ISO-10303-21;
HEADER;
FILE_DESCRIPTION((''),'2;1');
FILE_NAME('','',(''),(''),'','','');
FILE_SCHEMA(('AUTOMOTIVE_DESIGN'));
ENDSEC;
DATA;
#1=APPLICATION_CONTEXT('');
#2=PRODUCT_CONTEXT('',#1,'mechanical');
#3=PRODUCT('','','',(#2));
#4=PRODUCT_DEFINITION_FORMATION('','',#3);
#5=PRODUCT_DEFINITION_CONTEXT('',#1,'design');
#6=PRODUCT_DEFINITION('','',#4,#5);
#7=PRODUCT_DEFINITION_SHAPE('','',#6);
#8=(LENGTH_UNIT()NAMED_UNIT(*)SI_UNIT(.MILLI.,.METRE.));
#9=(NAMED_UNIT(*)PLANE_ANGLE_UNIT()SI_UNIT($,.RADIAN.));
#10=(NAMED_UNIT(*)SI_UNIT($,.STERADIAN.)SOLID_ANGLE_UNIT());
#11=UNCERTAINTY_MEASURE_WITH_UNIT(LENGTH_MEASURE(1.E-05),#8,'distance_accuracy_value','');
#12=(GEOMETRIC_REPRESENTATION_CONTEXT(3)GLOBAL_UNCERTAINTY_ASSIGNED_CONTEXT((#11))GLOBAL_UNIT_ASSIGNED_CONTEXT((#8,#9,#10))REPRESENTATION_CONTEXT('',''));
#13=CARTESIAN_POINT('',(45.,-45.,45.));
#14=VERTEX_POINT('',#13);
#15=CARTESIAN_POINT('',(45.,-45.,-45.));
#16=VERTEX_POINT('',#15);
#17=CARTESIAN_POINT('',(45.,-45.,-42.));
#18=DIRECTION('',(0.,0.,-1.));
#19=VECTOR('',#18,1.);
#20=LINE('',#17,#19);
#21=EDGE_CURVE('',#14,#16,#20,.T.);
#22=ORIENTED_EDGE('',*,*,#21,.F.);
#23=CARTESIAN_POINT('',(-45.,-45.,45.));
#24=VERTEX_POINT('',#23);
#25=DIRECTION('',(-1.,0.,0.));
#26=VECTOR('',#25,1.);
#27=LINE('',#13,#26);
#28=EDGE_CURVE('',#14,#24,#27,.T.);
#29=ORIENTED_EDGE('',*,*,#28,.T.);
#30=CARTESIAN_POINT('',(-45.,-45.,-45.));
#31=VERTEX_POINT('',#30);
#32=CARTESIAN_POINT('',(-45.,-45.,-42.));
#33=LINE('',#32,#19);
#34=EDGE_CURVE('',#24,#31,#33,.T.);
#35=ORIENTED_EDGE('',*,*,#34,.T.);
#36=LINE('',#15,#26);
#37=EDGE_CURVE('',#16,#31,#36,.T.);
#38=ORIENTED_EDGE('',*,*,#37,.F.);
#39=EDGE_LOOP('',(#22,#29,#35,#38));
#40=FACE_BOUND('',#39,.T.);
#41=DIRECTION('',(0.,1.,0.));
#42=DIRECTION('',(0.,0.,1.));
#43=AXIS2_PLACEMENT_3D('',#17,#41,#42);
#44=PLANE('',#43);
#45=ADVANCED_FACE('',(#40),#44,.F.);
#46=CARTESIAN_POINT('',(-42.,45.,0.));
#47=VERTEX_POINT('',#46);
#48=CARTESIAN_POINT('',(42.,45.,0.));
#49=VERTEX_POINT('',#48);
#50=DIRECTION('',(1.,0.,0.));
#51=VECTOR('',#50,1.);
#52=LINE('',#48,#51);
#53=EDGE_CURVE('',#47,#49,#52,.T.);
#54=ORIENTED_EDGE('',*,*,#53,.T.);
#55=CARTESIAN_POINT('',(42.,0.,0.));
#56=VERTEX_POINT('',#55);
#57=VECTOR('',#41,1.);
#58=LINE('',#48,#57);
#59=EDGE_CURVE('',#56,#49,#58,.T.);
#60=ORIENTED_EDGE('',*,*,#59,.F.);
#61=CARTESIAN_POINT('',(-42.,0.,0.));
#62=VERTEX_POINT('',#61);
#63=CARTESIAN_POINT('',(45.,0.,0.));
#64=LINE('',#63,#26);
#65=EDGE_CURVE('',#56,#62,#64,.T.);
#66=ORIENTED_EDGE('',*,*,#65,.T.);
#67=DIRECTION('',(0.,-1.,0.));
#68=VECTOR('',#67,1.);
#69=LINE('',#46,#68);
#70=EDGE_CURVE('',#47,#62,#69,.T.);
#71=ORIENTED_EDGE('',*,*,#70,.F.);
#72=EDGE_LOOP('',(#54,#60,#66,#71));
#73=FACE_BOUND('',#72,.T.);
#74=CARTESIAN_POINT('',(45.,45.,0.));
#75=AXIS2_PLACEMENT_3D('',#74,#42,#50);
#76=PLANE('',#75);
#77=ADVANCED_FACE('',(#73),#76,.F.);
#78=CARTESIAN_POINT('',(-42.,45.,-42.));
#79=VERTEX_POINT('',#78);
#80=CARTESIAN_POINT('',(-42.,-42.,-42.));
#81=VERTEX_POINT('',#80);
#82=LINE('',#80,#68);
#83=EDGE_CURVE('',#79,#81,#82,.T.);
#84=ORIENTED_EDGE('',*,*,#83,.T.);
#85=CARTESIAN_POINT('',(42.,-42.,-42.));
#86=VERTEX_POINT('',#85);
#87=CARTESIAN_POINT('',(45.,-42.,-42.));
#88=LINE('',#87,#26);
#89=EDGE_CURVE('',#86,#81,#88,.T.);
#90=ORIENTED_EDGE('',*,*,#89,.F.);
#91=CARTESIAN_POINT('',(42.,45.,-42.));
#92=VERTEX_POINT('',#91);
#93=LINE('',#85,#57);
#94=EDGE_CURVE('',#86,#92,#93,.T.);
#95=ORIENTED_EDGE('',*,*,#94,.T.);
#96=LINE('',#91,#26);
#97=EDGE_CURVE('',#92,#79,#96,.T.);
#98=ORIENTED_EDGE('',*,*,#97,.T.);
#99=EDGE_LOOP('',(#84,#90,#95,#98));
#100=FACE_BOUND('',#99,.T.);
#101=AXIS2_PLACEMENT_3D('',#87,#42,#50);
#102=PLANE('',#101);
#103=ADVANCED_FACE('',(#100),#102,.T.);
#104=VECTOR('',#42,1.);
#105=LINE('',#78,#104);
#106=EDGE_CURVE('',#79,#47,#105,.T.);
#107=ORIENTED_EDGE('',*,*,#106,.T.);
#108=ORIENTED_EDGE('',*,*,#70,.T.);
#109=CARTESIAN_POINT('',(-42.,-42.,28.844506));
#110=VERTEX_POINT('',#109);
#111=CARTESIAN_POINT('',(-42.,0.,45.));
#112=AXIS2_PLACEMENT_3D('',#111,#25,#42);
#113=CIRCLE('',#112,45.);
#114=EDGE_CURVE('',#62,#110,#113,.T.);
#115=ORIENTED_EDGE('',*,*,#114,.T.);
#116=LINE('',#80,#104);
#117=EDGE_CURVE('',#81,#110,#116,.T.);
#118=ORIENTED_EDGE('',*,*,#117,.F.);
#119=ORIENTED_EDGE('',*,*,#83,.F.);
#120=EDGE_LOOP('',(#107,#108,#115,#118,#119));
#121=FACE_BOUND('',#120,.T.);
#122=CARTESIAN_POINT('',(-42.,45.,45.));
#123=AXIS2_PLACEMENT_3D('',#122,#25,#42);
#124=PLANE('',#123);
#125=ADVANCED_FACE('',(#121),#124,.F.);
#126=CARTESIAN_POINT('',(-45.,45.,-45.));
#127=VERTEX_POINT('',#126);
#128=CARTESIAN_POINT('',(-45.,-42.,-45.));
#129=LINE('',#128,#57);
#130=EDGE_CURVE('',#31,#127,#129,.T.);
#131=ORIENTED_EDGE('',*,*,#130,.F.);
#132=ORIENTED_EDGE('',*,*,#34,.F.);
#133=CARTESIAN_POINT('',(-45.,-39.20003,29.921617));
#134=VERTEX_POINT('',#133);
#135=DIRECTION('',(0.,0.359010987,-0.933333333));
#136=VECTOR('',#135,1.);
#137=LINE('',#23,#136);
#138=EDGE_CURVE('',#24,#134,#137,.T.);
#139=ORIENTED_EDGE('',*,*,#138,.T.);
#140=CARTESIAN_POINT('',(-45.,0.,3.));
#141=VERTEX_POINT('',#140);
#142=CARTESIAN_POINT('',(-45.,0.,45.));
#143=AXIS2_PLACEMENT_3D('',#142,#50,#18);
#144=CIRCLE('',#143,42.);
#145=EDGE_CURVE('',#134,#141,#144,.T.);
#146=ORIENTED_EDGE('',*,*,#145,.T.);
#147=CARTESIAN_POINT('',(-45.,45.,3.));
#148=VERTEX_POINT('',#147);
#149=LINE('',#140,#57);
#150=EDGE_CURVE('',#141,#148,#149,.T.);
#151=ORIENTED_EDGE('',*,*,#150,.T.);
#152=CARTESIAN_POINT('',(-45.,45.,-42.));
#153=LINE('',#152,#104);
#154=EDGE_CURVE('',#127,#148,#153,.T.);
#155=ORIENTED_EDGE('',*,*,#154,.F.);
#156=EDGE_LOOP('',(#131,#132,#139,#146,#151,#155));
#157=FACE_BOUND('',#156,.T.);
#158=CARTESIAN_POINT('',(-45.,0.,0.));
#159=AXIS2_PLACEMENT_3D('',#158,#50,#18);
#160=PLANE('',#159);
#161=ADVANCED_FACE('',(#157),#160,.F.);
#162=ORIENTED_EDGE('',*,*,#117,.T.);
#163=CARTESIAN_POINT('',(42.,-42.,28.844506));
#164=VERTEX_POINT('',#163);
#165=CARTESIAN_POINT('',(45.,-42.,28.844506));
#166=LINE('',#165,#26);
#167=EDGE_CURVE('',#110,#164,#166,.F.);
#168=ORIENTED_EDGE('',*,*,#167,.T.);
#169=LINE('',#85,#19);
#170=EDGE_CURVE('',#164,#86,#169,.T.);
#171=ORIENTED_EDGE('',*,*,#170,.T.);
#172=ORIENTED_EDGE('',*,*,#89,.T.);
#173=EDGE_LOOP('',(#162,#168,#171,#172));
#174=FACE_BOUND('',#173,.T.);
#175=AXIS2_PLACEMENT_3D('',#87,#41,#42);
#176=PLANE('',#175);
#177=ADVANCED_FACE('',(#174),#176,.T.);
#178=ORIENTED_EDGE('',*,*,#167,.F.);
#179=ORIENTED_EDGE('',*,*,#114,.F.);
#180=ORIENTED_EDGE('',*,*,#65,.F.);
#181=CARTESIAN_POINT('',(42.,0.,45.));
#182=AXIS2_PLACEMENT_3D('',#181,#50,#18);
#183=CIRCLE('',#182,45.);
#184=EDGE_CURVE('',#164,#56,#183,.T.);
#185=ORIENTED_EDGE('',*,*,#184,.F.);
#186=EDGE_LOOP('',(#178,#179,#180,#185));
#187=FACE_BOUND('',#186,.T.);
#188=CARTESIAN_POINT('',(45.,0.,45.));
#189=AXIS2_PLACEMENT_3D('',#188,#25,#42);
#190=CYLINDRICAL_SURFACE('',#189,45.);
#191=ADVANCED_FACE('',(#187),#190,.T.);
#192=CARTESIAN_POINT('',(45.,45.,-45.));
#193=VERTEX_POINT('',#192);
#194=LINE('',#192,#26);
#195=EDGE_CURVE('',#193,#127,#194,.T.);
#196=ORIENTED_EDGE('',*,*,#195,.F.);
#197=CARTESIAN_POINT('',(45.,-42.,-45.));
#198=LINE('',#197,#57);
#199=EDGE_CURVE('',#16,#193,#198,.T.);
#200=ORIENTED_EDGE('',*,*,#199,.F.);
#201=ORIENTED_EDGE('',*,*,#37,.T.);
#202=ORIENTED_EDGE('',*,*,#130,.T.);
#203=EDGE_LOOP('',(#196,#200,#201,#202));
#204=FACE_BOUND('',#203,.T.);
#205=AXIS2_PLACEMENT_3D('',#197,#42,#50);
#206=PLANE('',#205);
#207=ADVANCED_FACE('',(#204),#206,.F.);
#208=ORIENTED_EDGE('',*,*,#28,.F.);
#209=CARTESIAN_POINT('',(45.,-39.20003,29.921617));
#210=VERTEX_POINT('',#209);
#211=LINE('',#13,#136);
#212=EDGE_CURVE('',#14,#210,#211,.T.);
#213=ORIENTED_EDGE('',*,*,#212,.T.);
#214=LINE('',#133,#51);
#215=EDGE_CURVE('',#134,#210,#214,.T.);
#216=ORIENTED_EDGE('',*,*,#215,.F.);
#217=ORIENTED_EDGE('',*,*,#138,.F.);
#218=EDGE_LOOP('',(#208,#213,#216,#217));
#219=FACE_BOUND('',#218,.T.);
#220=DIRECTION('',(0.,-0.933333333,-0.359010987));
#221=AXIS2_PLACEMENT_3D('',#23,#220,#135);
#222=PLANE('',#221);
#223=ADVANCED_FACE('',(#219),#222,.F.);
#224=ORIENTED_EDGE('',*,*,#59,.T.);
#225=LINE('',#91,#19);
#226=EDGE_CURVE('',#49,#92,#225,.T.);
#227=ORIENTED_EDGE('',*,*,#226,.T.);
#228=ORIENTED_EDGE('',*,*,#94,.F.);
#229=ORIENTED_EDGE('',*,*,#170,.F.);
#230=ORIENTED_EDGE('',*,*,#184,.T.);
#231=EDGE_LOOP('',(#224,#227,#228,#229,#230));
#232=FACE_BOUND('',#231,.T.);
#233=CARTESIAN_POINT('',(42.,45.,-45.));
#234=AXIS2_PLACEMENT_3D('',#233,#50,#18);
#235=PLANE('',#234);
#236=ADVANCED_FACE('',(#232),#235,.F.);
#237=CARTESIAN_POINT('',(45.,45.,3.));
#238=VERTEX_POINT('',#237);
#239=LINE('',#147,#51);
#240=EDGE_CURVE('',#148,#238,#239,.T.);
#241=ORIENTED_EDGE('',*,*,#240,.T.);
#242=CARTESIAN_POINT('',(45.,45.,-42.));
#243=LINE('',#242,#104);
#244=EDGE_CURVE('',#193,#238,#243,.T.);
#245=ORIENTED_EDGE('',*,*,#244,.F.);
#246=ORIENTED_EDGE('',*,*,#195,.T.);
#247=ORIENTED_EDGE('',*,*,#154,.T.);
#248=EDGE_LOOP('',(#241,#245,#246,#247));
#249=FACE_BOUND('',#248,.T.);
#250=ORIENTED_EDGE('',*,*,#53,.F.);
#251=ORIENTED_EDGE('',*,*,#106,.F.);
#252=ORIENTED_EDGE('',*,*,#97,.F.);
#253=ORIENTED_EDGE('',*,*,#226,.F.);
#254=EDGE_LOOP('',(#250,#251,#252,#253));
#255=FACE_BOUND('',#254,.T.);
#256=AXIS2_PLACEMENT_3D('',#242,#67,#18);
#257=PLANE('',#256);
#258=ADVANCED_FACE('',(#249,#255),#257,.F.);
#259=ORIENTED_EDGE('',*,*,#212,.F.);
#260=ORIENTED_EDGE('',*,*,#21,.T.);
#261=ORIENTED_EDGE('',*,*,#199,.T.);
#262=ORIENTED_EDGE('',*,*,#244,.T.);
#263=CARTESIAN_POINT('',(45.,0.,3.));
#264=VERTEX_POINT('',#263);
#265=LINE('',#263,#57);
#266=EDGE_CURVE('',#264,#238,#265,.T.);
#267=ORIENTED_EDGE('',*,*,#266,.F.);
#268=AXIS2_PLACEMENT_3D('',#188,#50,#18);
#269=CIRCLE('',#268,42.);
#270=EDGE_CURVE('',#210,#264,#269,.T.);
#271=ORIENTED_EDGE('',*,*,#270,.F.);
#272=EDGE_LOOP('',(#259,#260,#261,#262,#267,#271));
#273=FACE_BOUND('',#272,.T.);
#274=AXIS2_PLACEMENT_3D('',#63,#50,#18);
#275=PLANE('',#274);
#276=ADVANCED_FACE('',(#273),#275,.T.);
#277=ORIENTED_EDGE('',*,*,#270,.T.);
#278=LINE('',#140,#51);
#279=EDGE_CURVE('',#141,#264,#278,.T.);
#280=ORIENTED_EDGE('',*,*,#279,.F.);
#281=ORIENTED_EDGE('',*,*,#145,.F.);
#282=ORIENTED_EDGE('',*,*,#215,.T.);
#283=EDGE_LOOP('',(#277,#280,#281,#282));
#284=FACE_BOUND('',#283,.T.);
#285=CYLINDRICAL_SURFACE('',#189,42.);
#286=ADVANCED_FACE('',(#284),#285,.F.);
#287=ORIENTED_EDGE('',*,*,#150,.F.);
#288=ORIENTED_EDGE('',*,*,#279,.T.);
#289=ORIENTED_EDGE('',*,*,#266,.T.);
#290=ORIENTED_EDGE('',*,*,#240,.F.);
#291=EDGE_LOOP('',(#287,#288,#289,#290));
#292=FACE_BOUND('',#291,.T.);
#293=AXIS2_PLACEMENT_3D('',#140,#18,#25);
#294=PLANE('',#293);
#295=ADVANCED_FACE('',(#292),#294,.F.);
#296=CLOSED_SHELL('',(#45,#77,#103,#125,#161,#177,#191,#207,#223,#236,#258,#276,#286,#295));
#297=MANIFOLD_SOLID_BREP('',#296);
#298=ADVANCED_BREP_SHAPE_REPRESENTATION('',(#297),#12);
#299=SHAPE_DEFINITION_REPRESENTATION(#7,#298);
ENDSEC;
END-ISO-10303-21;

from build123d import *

# Parameters (mm, degrees)
ESBO_O1_W                  = 90
ESBO_O1_H                  = 90
ESBO_O1_W_2                = 84
ESBO_O1_H_2                = 84
EXTRUS_O_FINA2_DEPTH       = 45
CORTE_EXTRUS_O1_DEPTH      = 78.942286341
CORTE_EXTRUS_O1_DEPTH_BACK = 78.942286341
ESBO_O5_W                  = 3
ESBO_O5_H                  = 84
ESBO_O7_R                  = 45
ESBO_O7_R_2                = 42
EXTRUS_O_FINA4_DEPTH       = 45
CORTE_EXTRUS_O2_DEPTH      = 111.227038425
CORTE_EXTRUS_O2_DEPTH_BACK = 111.227038425
ESBO_O9_W                  = 3
ESBO_O9_H                  = 45
RESSALTO_EXTRUS_O1_DEPTH   = 45
ESBO_O10_W                 = 3
ESBO_O10_H                 = 90
RESSALTO_EXTRUS_O2_DEPTH   = 45
ESBO_O11_W                 = 3
ESBO_O11_H                 = 90
RESSALTO_EXTRUS_O3_DEPTH   = 45
CORTE_EXTRUS_O4_DEPTH      = 78.942286341
CORTE_EXTRUS_O4_DEPTH_BACK = 78.942286341
CORTE_EXTRUS_O5_DEPTH      = 78.942286341
CORTE_EXTRUS_O5_DEPTH_BACK = 78.942286341
ESBO_O14_R                 = 42
CORTE_EXTRUS_O6_DEPTH      = 78.942286341
CORTE_EXTRUS_O6_DEPTH_BACK = 78.942286341
ESBO_O16_W                 = 84
ESBO_O16_H                 = 42
CORTE_EXTRUS_O8_DEPTH      = 78.942286341


with BuildPart() as part:
    # Esboço1 → Extrusão-Fina2 (new, symmetric)
    with BuildSketch(Plane(origin=(0, 0, 0), x_dir=(0, 0, -1), z_dir=(1, 0, 0))):
        Rectangle(ESBO_O1_W, ESBO_O1_H)
        Rectangle(ESBO_O1_W_2, ESBO_O1_H_2, mode=Mode.SUBTRACT)
    extrude(amount=EXTRUS_O_FINA2_DEPTH, both=True)

    # Esboço5 → Corte-extrusão1 (cut, two sides: drawn at the far end of the back side and taken through both)
    with BuildSketch(Plane(origin=(0, 0, 0), x_dir=(0, 0, -1), z_dir=(1, 0, 0)).offset(-CORTE_EXTRUS_O1_DEPTH_BACK)):
        with Locations((-43.5, 0)):
            Rectangle(ESBO_O5_W, ESBO_O5_H)
    extrude(amount=CORTE_EXTRUS_O1_DEPTH + CORTE_EXTRUS_O1_DEPTH_BACK, mode=Mode.SUBTRACT)

    # Esboço7 → Extrusão-Fina4 (add, symmetric)
    with BuildSketch(Plane(origin=(0, 0, 0), x_dir=(0, 0, -1), z_dir=(1, 0, 0))):
        with Locations((-45, 0)):
            Circle(ESBO_O7_R)
        with Locations((-45, 0)):
            Circle(ESBO_O7_R_2, mode=Mode.SUBTRACT)
    extrude(amount=EXTRUS_O_FINA4_DEPTH, both=True)

    # Esboço8 → Corte-extrusão2 (cut, two sides: drawn at the far end of the back side and taken through both)
    with BuildSketch(Plane(origin=(0, 0, 0), x_dir=(0, 0, -1), z_dir=(1, 0, 0)).offset(-CORTE_EXTRUS_O2_DEPTH_BACK)):
        Polygon((-45, -45), (-29.921616549, -39.200030007), (-3, 0), (-3, 45), (-95.371690307, 45), (-95.371690307, -45), align=None)
    extrude(amount=CORTE_EXTRUS_O2_DEPTH + CORTE_EXTRUS_O2_DEPTH_BACK, mode=Mode.SUBTRACT)

    # Esboço9 → Ressalto-extrusão1 (add, symmetric)
    with BuildSketch(Plane(origin=(0, 0, 0), x_dir=(0, 0, -1), z_dir=(1, 0, 0))):
        with Locations((-1.5, 22.5)):
            Rectangle(ESBO_O9_W, ESBO_O9_H)
    extrude(amount=RESSALTO_EXTRUS_O1_DEPTH, both=True)

    # Esboço10 → Ressalto-extrusão2 (add, symmetric)
    with BuildSketch(Plane(origin=(0, 0, 0), x_dir=(1, 0, 0), z_dir=(0, 1, 0))):
        with Locations((-43.5, 0)):
            Rectangle(ESBO_O10_W, ESBO_O10_H)
    extrude(amount=RESSALTO_EXTRUS_O2_DEPTH, both=True)

    # Esboço11 → Ressalto-extrusão3 (add, symmetric)
    with BuildSketch(Plane(origin=(0, 0, 0), x_dir=(1, 0, 0), z_dir=(0, 1, 0))):
        with Locations((43.5, 0)):
            Rectangle(ESBO_O11_W, ESBO_O11_H)
    extrude(amount=RESSALTO_EXTRUS_O3_DEPTH, both=True)

    # Esboço13 → Corte-extrusão4 (cut, two sides: drawn at the far end of the back side and taken through both)
    with BuildSketch(Plane(origin=(0, 0, 0), x_dir=(0, 0, -1), z_dir=(1, 0, 0)).offset(-CORTE_EXTRUS_O4_DEPTH_BACK)):
        Polygon((-3, 0), (-3, 45), (-45, 45), (-45, -45), align=None)
    extrude(amount=CORTE_EXTRUS_O4_DEPTH + CORTE_EXTRUS_O4_DEPTH_BACK, mode=Mode.SUBTRACT)

    # Esboço14 → Corte-extrusão5 (cut, two sides: drawn at the far end of the back side and taken through both)
    with BuildSketch(Plane(origin=(0, 0, 0), x_dir=(0, 0, -1), z_dir=(1, 0, 0)).offset(-CORTE_EXTRUS_O5_DEPTH_BACK)):
        with Locations((-45, 0)):
            Circle(ESBO_O14_R)
    extrude(amount=CORTE_EXTRUS_O5_DEPTH + CORTE_EXTRUS_O5_DEPTH_BACK, mode=Mode.SUBTRACT)

    # Esboço15 → Corte-extrusão6 (cut, two sides: drawn at the far end of the back side and taken through both)
    with BuildSketch(Plane(origin=(0, 0, 0), x_dir=(0, 0, -1), z_dir=(1, 0, 0)).offset(-CORTE_EXTRUS_O6_DEPTH_BACK)):
        Polygon((-45, -45), (-29.921616549, -39.200030007), (-45.529383671, 1.376024306), align=None)
    extrude(amount=CORTE_EXTRUS_O6_DEPTH + CORTE_EXTRUS_O6_DEPTH_BACK, mode=Mode.SUBTRACT)

    # Esboço16 → Corte-extrusão8 (cut, through all)
    with BuildSketch(Plane(origin=(0, 0, 0), x_dir=(1, 0, 0), z_dir=(0, 1, 0))):
        with Locations((0, 21)):
            Rectangle(ESBO_O16_W, ESBO_O16_H)
    extrude(amount=CORTE_EXTRUS_O8_DEPTH, mode=Mode.SUBTRACT)


solid = part.part
